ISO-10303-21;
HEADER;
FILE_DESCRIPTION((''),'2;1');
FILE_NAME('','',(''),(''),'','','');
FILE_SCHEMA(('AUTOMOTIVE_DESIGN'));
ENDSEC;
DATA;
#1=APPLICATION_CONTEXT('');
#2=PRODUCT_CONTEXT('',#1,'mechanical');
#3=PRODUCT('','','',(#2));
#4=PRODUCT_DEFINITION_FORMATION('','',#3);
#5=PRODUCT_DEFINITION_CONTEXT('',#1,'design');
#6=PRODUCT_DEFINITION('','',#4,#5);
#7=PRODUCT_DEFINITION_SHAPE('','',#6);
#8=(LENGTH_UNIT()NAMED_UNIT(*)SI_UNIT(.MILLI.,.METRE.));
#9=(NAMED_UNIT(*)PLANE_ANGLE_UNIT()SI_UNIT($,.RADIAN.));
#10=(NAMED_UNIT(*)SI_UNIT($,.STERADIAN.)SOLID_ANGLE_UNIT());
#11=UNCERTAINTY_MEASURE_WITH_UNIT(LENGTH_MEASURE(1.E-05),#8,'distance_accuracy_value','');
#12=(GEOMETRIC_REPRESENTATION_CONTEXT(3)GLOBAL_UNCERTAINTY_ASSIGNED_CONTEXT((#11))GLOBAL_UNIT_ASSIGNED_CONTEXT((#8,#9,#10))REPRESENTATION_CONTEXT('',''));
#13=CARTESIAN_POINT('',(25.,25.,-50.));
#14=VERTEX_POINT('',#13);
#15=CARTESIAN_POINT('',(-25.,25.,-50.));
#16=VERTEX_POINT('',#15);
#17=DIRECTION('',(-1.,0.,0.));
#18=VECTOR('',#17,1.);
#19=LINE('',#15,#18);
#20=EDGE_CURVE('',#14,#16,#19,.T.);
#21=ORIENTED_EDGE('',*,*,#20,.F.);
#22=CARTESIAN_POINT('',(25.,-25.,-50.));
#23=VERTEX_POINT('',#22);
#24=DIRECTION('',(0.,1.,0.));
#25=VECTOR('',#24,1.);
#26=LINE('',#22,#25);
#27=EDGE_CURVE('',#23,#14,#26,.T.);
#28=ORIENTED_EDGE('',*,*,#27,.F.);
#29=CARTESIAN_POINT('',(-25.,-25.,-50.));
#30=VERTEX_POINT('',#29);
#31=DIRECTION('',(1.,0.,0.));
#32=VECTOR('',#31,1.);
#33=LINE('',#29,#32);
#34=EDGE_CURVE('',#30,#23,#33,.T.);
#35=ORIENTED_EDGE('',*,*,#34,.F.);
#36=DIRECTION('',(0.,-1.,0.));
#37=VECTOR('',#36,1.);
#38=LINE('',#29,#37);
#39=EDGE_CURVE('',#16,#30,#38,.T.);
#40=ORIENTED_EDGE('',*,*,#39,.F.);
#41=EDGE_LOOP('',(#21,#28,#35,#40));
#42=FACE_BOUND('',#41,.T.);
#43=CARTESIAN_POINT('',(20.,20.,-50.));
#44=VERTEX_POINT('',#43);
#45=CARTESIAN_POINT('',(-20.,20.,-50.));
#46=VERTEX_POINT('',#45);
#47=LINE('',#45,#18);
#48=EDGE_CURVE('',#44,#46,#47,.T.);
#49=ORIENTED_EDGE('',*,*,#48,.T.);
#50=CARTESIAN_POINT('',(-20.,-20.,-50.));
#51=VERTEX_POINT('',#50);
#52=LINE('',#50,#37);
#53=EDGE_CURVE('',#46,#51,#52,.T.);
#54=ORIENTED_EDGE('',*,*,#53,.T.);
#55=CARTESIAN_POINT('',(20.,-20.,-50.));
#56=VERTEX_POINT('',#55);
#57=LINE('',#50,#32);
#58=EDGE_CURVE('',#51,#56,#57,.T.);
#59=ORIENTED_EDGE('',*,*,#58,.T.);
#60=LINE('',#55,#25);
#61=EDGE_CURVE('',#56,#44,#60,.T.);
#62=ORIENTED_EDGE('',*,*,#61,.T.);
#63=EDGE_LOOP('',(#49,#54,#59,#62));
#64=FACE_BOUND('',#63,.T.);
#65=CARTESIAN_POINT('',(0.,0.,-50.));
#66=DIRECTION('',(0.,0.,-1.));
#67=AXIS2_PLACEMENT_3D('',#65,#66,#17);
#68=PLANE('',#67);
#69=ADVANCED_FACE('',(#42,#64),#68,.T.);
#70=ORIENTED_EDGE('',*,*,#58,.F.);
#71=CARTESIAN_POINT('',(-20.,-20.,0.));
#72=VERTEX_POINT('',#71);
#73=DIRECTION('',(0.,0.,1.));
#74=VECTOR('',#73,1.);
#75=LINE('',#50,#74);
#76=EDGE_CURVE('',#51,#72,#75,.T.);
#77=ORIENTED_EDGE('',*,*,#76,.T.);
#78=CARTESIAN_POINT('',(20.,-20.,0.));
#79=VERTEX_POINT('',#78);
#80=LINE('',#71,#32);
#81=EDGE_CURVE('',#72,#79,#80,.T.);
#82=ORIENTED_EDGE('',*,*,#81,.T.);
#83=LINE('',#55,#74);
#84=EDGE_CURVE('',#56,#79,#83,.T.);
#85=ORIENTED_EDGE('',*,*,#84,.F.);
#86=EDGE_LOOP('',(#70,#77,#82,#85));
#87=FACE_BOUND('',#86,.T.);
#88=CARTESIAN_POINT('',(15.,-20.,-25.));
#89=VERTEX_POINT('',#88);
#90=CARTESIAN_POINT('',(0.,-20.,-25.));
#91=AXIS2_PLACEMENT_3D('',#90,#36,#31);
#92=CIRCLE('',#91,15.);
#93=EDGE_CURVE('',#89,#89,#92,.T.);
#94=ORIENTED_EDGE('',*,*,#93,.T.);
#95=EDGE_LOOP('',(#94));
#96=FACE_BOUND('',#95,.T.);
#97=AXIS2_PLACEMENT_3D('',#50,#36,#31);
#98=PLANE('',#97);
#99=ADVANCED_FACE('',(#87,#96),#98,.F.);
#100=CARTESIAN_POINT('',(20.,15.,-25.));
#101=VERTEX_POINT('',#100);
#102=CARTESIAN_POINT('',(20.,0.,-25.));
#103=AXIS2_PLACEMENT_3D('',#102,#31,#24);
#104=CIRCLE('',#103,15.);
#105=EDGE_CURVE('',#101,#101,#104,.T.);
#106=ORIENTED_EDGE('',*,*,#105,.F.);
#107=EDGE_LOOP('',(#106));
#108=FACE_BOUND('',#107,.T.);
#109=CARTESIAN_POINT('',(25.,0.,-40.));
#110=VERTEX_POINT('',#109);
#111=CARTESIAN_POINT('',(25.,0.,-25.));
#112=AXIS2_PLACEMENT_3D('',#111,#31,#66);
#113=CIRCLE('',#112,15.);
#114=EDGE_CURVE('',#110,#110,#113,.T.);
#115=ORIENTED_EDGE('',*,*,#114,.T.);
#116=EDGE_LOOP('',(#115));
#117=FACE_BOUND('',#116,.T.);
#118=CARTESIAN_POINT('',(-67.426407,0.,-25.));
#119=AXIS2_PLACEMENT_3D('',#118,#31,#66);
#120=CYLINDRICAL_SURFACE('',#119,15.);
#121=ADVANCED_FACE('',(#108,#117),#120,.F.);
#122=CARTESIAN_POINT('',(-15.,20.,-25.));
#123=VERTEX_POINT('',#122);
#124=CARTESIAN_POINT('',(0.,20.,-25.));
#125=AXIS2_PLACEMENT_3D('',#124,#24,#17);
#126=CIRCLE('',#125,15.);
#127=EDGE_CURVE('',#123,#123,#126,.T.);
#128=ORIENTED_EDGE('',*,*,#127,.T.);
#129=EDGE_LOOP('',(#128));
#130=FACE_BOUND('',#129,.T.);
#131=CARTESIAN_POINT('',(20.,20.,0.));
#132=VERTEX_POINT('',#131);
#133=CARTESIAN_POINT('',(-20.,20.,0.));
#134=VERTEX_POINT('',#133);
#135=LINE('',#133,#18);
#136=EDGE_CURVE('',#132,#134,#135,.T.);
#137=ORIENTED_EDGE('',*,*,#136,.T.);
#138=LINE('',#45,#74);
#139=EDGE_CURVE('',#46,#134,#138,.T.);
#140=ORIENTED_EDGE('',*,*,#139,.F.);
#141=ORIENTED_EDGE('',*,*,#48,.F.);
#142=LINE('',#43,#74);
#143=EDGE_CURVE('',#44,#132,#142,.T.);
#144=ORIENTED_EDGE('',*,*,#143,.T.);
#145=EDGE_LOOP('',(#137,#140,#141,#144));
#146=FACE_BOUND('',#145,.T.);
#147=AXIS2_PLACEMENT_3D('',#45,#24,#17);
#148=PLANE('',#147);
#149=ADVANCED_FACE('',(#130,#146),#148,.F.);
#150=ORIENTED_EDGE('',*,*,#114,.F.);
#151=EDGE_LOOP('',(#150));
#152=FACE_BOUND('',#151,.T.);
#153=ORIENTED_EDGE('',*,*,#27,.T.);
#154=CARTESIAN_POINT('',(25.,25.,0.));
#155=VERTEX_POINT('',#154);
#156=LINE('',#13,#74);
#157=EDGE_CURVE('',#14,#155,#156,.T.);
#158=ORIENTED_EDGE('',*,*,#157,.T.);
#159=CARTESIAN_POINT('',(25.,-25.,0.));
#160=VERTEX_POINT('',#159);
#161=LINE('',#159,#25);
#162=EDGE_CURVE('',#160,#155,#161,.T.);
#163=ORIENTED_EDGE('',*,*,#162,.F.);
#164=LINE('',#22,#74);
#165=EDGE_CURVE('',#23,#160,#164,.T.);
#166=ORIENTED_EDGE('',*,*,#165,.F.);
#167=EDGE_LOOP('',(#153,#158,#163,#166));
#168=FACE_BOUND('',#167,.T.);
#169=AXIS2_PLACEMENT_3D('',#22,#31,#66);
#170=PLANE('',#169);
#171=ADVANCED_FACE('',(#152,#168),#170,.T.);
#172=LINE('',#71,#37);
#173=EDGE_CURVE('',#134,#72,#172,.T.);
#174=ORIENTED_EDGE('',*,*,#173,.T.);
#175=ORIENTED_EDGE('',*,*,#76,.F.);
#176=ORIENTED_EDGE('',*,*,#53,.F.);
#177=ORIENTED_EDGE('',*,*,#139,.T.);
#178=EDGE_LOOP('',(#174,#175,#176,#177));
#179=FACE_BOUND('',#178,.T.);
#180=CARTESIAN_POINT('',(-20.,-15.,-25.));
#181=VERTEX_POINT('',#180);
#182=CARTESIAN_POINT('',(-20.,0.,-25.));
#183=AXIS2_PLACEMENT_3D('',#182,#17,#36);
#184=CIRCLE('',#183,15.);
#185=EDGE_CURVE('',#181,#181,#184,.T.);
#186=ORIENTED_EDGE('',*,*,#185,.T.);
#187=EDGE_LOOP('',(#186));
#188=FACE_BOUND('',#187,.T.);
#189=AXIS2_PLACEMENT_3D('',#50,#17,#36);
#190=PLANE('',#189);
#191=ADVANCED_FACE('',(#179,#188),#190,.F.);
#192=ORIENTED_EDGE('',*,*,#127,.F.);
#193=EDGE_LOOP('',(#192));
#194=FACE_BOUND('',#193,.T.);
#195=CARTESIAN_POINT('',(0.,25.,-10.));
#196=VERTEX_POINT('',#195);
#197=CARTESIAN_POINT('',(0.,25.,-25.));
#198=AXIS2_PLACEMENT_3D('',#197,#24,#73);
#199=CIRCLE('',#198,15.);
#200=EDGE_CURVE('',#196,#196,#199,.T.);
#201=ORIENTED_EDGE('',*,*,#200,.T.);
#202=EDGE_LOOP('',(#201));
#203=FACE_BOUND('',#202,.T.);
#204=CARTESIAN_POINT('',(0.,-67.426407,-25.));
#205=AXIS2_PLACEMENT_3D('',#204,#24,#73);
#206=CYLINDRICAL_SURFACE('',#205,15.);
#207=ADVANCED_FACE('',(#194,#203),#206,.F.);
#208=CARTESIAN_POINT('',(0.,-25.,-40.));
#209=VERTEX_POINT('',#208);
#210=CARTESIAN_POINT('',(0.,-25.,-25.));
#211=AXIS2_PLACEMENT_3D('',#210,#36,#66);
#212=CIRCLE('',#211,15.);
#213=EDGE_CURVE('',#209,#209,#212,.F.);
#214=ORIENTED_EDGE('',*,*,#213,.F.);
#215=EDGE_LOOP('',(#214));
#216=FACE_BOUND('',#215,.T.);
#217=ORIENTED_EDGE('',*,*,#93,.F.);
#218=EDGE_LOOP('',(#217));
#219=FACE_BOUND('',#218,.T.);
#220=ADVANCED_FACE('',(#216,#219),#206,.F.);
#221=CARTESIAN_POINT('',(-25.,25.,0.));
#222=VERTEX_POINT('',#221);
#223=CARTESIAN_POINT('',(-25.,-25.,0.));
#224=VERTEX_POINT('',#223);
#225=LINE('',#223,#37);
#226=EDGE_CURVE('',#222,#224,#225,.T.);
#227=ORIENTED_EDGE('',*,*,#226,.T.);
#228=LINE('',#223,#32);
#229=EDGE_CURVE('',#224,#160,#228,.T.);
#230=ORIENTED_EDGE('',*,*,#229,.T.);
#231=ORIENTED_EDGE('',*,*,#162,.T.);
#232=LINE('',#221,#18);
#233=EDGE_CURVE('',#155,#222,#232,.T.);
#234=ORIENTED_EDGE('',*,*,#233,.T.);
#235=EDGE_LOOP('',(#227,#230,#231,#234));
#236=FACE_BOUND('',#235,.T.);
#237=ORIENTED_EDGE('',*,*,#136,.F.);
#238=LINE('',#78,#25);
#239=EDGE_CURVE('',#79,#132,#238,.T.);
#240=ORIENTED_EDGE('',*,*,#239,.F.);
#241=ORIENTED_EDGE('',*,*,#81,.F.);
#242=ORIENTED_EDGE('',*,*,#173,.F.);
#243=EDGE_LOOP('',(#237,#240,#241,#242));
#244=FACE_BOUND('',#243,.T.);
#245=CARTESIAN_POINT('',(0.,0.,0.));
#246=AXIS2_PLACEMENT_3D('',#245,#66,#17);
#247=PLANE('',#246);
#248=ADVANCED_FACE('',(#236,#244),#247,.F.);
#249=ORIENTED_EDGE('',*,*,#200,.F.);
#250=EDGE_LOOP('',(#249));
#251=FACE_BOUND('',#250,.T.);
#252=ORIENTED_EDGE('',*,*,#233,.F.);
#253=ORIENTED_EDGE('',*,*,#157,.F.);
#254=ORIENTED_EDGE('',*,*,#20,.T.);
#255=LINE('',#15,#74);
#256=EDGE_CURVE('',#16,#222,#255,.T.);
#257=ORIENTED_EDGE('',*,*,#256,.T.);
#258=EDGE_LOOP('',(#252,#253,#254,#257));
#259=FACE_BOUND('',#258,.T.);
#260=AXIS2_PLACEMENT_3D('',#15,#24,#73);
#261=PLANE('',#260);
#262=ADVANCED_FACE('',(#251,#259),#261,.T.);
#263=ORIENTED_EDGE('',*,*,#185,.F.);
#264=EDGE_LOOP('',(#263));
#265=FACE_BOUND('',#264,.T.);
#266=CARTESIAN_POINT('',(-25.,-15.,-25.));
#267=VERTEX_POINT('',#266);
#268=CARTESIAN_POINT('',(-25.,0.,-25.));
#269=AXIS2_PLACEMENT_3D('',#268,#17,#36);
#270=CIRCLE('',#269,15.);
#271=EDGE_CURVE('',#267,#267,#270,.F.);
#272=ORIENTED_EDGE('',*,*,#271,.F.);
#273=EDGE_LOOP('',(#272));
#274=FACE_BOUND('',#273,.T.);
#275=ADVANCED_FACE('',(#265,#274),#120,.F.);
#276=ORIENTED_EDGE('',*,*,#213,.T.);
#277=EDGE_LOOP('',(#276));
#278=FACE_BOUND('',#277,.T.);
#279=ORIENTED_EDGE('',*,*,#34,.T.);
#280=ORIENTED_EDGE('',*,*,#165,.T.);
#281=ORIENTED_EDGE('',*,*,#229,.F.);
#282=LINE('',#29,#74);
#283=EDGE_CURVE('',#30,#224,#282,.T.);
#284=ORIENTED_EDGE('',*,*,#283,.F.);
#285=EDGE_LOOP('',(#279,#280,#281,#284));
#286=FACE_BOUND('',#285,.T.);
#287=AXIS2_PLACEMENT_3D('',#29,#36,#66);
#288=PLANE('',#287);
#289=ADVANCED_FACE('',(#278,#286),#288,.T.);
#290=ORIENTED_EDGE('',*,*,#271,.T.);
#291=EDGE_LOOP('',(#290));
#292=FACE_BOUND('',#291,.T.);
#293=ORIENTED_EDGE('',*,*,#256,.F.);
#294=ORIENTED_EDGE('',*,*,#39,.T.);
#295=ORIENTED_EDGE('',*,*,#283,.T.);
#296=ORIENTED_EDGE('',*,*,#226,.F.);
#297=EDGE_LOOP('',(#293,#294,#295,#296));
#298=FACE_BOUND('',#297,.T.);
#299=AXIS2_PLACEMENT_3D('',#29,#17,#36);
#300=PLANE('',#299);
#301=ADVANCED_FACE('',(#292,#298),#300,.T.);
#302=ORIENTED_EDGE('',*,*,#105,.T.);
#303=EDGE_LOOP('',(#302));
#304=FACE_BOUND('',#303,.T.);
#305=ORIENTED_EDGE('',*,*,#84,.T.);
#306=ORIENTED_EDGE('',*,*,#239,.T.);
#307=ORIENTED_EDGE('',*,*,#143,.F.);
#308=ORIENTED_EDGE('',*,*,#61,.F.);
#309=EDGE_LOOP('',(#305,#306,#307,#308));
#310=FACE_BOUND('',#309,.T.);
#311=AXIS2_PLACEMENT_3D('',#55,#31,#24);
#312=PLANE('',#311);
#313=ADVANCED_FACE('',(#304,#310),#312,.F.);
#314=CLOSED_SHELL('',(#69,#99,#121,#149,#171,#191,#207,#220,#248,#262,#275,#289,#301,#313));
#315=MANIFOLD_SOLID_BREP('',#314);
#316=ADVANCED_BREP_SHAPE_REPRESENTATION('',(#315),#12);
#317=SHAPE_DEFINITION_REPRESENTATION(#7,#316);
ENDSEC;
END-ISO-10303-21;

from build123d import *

# Parameters (mm, degrees)
CROQUIS1_W              = 50
CROQUIS1_H              = 50
CROQUIS1_W_2            = 40
CROQUIS1_H_2            = 40
SALIENTE_EXTRUIR1_DEPTH = 50
CROQUIS2_R              = 15
CORTAR_EXTRUIR1_DEPTH   = 50
CROQUIS3_R              = 15
CORTAR_EXTRUIR2_DEPTH   = 50


with BuildPart() as part:
    # Croquis1 → Saliente-Extruir1 (new body)
    with BuildSketch(Plane.XY):
        Rectangle(CROQUIS1_W, CROQUIS1_H)
        Rectangle(CROQUIS1_W_2, CROQUIS1_H_2, mode=Mode.SUBTRACT)
    extrude(amount=-SALIENTE_EXTRUIR1_DEPTH)

    # Croquis2 → Cortar-Extruir1 (cut)
    with BuildSketch(Plane(origin=(0, 25, 0), x_dir=(1, 0, 0), z_dir=(0, 1, 0))):
        with Locations((0, 25)):
            Circle(CROQUIS2_R)
    extrude(amount=-CORTAR_EXTRUIR1_DEPTH, mode=Mode.SUBTRACT)

    # Croquis3 → Cortar-Extruir2 (cut)
    with BuildSketch(Plane(origin=(25, 0, 0), x_dir=(0, 0, -1), z_dir=(1, 0, 0))):
        with Locations((25, 0)):
            Circle(CROQUIS3_R)
    extrude(amount=-CORTAR_EXTRUIR2_DEPTH, mode=Mode.SUBTRACT)


solid = part.part
